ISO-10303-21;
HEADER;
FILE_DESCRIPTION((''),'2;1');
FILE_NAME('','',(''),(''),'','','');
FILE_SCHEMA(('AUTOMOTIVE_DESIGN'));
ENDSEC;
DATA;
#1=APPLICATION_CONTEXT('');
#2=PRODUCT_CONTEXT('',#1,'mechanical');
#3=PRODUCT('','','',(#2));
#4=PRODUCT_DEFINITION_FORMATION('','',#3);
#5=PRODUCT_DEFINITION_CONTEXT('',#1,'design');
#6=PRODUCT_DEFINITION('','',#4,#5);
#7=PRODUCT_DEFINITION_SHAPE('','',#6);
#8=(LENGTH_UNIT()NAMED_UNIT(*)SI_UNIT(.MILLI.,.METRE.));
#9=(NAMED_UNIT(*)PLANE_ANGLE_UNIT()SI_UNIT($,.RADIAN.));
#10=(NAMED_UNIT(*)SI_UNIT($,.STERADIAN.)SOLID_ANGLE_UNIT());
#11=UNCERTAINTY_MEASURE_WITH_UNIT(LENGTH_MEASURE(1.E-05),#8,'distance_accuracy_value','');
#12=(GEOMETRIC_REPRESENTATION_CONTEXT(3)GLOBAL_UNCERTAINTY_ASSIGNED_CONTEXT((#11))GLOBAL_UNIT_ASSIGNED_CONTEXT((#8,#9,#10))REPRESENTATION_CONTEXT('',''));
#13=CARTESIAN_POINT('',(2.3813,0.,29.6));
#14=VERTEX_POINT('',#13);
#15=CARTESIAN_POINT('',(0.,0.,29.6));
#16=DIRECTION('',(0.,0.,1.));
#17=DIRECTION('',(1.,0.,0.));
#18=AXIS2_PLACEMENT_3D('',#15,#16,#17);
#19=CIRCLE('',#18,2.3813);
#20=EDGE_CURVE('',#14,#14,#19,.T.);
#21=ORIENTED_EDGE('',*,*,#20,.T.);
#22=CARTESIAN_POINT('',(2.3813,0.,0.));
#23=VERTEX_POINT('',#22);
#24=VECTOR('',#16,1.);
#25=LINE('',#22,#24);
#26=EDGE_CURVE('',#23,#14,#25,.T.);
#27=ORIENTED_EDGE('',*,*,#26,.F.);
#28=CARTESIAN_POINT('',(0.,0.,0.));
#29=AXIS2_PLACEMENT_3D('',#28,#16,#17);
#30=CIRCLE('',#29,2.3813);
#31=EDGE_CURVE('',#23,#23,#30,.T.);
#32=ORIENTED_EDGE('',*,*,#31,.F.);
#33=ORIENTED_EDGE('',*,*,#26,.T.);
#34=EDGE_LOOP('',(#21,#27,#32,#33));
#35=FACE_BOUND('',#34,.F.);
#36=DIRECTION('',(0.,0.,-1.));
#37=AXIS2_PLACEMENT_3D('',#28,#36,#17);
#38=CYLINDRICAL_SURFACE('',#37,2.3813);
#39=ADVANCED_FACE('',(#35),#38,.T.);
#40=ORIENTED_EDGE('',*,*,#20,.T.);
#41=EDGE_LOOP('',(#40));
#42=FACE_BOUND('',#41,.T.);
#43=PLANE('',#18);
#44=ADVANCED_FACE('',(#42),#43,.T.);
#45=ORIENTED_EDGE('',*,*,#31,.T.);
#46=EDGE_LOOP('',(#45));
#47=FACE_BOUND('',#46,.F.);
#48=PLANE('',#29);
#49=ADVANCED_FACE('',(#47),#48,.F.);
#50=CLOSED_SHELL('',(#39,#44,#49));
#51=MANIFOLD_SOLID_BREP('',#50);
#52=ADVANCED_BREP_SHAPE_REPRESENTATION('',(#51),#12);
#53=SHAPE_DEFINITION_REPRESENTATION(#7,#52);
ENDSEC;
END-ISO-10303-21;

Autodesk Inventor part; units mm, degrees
ref_plane "YZ Plane" through (0, 0, 0) normal (1, 0, 0) x (0, 1, 0)
ref_plane "XZ Plane" through (0, 0, 0) normal (0, 1, 0) x (-1, 0, 0)
ref_plane "XY Plane" through (0, 0, 0) normal (0, 0, 1) x (1, 0, 0)
sketch "Sketch1" plane through (0, 0, 0) normal (0, 0, 1) x (1, 0, 0)
  circle A0 centre (0, 0) radius 2.3813
  dimension "d0" = 4.7625
extrude "Extrusion1" add sketch "Sketch1" along normal blind 29.6
properties part number "Pin" material "Stainless Steel"
